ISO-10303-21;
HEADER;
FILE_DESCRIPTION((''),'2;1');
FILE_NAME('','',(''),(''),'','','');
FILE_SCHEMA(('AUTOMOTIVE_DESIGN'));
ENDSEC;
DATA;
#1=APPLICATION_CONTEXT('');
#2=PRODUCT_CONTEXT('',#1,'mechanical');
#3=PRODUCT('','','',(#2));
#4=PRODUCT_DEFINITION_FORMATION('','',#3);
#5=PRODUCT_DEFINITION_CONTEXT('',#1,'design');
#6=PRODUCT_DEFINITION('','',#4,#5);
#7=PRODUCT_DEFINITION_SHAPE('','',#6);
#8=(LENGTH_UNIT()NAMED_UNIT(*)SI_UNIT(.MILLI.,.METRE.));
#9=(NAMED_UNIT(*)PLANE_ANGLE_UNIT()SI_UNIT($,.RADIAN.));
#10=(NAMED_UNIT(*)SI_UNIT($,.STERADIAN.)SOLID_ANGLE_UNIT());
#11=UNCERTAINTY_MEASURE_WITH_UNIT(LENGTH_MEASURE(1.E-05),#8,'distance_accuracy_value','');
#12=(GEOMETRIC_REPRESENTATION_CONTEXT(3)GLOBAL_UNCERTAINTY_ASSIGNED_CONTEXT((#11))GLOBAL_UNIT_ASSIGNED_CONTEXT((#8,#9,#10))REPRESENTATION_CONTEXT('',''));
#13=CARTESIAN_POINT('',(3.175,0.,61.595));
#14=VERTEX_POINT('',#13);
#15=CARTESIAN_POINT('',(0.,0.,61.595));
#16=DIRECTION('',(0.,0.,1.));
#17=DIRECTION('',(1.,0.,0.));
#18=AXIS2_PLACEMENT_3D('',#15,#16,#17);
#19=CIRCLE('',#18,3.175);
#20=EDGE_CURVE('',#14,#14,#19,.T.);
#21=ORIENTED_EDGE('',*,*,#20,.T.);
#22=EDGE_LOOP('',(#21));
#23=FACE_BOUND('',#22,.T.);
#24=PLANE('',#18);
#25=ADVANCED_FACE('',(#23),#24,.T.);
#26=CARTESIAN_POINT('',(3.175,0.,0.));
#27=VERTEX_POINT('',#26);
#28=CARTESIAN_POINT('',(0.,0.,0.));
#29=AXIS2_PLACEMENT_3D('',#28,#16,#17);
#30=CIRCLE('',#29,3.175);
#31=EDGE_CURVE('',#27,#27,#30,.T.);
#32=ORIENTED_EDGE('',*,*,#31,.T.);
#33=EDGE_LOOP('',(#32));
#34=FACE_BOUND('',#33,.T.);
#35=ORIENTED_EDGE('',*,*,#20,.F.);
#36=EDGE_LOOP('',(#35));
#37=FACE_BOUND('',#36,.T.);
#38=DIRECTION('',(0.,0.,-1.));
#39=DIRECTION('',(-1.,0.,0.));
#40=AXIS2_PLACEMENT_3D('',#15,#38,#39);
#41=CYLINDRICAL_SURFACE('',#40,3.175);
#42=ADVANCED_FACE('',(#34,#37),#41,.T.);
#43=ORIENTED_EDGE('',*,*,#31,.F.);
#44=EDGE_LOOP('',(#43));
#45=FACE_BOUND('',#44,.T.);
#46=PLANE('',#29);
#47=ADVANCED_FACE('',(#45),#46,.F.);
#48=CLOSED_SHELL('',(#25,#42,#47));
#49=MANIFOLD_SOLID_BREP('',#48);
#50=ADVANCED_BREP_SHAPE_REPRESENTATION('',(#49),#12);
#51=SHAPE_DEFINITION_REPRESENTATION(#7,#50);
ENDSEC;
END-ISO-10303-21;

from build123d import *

# Parameters (mm, degrees)
SKETCH1_R           = 3.175
BOSS_EXTRUDE1_DEPTH = 61.595


with BuildPart() as part:
    # Sketch1 → Boss-Extrude1 (new body)
    with BuildSketch(Plane.XY):
        Circle(SKETCH1_R)
    extrude(amount=BOSS_EXTRUDE1_DEPTH)


solid = part.part
